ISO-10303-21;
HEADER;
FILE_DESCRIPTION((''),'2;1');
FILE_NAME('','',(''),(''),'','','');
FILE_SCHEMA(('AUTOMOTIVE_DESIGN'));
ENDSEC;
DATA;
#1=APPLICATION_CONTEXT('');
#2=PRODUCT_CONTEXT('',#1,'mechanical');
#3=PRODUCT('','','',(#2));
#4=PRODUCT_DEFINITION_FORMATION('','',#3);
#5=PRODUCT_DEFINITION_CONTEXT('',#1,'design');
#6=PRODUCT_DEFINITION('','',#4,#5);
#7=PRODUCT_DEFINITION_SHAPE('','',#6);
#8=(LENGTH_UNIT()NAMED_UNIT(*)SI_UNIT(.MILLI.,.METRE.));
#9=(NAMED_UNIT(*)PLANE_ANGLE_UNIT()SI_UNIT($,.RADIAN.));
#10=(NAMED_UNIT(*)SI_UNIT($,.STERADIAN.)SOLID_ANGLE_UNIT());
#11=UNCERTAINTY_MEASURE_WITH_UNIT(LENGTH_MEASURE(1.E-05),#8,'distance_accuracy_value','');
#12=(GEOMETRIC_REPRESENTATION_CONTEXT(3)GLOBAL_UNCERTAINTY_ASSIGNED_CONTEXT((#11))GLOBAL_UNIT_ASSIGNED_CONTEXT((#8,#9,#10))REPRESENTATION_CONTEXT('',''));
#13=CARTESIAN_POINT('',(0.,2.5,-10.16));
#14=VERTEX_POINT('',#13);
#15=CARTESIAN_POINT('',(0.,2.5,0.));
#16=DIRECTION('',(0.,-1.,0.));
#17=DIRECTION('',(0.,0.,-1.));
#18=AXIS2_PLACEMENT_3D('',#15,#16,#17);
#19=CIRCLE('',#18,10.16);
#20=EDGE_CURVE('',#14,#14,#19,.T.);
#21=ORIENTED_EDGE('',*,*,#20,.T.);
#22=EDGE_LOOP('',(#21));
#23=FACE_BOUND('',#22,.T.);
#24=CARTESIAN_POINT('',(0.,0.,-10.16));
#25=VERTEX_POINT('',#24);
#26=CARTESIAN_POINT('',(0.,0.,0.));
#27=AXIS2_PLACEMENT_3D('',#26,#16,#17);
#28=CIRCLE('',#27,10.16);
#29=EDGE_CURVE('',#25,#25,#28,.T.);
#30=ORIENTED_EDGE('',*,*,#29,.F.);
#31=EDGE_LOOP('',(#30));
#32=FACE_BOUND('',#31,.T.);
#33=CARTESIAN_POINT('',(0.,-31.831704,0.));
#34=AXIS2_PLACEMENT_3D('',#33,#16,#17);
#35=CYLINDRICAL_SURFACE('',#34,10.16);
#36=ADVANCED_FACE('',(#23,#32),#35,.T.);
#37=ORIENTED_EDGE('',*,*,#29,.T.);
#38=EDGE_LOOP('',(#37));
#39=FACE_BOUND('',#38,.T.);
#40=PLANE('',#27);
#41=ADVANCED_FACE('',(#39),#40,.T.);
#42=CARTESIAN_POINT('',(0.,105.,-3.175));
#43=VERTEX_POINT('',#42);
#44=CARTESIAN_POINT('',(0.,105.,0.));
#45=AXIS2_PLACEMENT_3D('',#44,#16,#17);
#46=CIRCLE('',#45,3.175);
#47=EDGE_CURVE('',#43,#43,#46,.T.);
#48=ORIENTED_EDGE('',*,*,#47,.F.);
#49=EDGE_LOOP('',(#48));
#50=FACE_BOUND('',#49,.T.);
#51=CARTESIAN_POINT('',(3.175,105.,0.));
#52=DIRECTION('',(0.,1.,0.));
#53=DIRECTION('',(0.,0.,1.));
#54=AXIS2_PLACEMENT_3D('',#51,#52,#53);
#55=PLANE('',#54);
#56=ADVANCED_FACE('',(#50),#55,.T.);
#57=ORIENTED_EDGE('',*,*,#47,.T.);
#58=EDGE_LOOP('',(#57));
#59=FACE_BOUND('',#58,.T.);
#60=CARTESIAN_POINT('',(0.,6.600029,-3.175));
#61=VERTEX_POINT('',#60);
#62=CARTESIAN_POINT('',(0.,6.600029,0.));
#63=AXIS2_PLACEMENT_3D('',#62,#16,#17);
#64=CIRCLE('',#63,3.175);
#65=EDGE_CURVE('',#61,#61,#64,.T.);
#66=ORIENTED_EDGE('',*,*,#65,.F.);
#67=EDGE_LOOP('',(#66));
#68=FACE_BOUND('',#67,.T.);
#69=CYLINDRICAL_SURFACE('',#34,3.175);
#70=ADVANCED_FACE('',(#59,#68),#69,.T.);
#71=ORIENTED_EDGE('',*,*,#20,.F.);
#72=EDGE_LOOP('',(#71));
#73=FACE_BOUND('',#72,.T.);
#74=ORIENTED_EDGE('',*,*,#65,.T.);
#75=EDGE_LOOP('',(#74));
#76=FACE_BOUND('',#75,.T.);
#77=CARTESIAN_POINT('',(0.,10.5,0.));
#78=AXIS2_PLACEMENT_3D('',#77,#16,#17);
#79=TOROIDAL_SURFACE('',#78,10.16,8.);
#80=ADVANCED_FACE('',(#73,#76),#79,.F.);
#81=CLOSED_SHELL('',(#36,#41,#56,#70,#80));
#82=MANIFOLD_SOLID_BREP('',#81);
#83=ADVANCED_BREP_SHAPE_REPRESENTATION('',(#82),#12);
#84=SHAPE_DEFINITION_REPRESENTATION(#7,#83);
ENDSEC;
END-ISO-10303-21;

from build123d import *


with BuildPart() as part:
    # Sketch1 → Revolve1 (revolve)
    with BuildSketch(Plane.XY, mode=Mode.PRIVATE) as revolve1_sk:
        with BuildLine():
            Line((0, 0), (10.16, 0))
            Line((10.16, 0), (10.16, 2.5))
            ThreePointArc((10.16, 2.5), (6.110294408, 3.600733038), (3.175, 6.600028846))
            Line((3.175, 6.600028846), (3.175, 105))
            Line((3.175, 105), (0, 105))
            Line((0, 105), (0, 0))
        make_face()
    revolve(revolve1_sk.sketch.rotate(Axis((0, -31.831703756, 0), (0, 1, 0)), 90), axis=Axis((0, -31.831703756, 0), (0, 1, 0)))


solid = part.part
